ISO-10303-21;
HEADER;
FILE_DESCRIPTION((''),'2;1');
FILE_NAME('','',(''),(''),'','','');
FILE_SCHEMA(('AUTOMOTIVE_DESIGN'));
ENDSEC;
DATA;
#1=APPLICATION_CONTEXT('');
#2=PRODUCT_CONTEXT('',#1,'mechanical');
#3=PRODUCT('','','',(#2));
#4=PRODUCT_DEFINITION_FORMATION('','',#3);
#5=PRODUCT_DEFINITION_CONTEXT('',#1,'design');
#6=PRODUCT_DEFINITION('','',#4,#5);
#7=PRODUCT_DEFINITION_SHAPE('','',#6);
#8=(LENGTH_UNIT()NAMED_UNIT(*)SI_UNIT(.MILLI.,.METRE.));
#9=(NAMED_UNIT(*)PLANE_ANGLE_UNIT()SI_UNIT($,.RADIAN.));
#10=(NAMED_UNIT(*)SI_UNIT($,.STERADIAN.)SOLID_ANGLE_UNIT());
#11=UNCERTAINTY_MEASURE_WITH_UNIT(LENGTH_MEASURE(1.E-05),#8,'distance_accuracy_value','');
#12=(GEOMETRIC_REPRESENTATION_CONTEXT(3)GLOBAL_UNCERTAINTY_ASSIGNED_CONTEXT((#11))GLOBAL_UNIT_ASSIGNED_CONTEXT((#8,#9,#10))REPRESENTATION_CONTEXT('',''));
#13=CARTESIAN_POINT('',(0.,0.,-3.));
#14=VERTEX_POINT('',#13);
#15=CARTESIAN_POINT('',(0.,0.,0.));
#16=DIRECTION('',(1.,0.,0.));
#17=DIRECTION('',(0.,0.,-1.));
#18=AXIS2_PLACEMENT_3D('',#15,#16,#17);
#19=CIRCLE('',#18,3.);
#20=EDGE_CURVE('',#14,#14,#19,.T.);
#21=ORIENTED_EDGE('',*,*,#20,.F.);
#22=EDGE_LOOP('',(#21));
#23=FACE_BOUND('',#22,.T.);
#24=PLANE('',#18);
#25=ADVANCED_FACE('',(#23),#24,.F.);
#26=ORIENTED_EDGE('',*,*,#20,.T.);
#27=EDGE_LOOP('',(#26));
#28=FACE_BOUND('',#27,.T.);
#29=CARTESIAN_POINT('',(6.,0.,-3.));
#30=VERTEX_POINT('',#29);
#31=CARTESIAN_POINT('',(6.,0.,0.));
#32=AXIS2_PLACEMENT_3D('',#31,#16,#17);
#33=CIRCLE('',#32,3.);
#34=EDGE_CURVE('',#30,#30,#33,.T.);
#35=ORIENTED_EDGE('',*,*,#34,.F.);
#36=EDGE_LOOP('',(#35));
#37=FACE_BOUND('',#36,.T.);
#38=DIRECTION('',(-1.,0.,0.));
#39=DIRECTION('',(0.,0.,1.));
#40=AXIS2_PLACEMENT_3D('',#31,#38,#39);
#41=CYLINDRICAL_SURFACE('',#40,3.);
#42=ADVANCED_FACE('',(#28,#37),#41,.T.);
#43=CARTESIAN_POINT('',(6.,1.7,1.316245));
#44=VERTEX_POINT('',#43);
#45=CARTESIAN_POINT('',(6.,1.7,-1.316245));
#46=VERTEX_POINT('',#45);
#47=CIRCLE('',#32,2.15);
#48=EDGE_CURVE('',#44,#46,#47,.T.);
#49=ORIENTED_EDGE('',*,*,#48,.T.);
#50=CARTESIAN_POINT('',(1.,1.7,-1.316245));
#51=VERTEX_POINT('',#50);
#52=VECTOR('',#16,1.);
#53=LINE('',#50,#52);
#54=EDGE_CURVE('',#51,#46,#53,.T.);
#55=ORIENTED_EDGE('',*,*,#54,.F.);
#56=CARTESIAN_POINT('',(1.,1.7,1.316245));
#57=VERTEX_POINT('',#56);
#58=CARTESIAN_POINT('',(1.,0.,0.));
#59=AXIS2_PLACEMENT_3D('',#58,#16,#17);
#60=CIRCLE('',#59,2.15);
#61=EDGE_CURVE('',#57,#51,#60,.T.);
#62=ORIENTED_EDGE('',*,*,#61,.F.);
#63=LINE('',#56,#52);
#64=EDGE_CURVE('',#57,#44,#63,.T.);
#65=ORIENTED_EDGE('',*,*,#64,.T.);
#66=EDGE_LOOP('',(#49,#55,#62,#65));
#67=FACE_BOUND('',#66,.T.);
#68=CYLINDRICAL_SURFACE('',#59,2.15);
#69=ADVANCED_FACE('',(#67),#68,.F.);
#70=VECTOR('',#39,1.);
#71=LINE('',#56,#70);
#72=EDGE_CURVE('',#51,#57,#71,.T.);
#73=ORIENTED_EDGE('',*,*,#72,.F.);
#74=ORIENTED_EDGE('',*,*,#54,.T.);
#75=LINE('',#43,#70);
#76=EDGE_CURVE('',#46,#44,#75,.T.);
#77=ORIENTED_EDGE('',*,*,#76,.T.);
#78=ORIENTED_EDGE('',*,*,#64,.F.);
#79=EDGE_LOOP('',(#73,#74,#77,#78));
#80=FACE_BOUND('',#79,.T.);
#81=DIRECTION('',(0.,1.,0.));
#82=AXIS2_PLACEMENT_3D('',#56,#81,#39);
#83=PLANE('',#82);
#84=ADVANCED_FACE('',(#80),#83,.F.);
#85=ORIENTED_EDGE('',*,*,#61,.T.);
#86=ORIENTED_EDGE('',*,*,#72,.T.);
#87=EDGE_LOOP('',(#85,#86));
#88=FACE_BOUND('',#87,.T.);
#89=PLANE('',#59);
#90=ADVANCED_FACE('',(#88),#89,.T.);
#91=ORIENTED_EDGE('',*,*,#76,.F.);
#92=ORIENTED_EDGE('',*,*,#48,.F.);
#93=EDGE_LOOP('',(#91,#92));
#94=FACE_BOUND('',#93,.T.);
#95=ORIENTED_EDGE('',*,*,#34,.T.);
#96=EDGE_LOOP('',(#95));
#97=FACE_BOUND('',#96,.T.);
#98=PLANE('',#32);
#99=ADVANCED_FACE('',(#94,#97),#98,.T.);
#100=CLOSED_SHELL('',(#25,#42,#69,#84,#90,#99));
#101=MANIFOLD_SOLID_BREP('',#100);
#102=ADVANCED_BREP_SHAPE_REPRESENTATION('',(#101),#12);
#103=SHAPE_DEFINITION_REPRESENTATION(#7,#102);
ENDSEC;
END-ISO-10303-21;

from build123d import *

# Parameters (mm, degrees)
SKETCH5_R           = 3
BOSS_EXTRUDE2_DEPTH = 6
CUT_EXTRUDE1_DEPTH  = 5


with BuildPart() as part:
    # Sketch5 → Boss-Extrude2 (new body)
    with BuildSketch(Plane(origin=(0, 0, 0), x_dir=(0, 0, -1), z_dir=(1, 0, 0))):
        Circle(SKETCH5_R)
    extrude(amount=BOSS_EXTRUDE2_DEPTH)

    # Sketch7 → Cut-Extrude1 (cut)
    with BuildSketch(Plane(origin=(6, 0, 0), x_dir=(0, 0, -1), z_dir=(1, 0, 0))):
        with BuildLine():
            Line((-1.316244658, 1.7), (1.316244658, 1.7))
            ThreePointArc((1.316244658, 1.7), (0, -2.15), (-1.316244658, 1.7))
        make_face()
    extrude(amount=-CUT_EXTRUDE1_DEPTH, mode=Mode.SUBTRACT)


solid = part.part
